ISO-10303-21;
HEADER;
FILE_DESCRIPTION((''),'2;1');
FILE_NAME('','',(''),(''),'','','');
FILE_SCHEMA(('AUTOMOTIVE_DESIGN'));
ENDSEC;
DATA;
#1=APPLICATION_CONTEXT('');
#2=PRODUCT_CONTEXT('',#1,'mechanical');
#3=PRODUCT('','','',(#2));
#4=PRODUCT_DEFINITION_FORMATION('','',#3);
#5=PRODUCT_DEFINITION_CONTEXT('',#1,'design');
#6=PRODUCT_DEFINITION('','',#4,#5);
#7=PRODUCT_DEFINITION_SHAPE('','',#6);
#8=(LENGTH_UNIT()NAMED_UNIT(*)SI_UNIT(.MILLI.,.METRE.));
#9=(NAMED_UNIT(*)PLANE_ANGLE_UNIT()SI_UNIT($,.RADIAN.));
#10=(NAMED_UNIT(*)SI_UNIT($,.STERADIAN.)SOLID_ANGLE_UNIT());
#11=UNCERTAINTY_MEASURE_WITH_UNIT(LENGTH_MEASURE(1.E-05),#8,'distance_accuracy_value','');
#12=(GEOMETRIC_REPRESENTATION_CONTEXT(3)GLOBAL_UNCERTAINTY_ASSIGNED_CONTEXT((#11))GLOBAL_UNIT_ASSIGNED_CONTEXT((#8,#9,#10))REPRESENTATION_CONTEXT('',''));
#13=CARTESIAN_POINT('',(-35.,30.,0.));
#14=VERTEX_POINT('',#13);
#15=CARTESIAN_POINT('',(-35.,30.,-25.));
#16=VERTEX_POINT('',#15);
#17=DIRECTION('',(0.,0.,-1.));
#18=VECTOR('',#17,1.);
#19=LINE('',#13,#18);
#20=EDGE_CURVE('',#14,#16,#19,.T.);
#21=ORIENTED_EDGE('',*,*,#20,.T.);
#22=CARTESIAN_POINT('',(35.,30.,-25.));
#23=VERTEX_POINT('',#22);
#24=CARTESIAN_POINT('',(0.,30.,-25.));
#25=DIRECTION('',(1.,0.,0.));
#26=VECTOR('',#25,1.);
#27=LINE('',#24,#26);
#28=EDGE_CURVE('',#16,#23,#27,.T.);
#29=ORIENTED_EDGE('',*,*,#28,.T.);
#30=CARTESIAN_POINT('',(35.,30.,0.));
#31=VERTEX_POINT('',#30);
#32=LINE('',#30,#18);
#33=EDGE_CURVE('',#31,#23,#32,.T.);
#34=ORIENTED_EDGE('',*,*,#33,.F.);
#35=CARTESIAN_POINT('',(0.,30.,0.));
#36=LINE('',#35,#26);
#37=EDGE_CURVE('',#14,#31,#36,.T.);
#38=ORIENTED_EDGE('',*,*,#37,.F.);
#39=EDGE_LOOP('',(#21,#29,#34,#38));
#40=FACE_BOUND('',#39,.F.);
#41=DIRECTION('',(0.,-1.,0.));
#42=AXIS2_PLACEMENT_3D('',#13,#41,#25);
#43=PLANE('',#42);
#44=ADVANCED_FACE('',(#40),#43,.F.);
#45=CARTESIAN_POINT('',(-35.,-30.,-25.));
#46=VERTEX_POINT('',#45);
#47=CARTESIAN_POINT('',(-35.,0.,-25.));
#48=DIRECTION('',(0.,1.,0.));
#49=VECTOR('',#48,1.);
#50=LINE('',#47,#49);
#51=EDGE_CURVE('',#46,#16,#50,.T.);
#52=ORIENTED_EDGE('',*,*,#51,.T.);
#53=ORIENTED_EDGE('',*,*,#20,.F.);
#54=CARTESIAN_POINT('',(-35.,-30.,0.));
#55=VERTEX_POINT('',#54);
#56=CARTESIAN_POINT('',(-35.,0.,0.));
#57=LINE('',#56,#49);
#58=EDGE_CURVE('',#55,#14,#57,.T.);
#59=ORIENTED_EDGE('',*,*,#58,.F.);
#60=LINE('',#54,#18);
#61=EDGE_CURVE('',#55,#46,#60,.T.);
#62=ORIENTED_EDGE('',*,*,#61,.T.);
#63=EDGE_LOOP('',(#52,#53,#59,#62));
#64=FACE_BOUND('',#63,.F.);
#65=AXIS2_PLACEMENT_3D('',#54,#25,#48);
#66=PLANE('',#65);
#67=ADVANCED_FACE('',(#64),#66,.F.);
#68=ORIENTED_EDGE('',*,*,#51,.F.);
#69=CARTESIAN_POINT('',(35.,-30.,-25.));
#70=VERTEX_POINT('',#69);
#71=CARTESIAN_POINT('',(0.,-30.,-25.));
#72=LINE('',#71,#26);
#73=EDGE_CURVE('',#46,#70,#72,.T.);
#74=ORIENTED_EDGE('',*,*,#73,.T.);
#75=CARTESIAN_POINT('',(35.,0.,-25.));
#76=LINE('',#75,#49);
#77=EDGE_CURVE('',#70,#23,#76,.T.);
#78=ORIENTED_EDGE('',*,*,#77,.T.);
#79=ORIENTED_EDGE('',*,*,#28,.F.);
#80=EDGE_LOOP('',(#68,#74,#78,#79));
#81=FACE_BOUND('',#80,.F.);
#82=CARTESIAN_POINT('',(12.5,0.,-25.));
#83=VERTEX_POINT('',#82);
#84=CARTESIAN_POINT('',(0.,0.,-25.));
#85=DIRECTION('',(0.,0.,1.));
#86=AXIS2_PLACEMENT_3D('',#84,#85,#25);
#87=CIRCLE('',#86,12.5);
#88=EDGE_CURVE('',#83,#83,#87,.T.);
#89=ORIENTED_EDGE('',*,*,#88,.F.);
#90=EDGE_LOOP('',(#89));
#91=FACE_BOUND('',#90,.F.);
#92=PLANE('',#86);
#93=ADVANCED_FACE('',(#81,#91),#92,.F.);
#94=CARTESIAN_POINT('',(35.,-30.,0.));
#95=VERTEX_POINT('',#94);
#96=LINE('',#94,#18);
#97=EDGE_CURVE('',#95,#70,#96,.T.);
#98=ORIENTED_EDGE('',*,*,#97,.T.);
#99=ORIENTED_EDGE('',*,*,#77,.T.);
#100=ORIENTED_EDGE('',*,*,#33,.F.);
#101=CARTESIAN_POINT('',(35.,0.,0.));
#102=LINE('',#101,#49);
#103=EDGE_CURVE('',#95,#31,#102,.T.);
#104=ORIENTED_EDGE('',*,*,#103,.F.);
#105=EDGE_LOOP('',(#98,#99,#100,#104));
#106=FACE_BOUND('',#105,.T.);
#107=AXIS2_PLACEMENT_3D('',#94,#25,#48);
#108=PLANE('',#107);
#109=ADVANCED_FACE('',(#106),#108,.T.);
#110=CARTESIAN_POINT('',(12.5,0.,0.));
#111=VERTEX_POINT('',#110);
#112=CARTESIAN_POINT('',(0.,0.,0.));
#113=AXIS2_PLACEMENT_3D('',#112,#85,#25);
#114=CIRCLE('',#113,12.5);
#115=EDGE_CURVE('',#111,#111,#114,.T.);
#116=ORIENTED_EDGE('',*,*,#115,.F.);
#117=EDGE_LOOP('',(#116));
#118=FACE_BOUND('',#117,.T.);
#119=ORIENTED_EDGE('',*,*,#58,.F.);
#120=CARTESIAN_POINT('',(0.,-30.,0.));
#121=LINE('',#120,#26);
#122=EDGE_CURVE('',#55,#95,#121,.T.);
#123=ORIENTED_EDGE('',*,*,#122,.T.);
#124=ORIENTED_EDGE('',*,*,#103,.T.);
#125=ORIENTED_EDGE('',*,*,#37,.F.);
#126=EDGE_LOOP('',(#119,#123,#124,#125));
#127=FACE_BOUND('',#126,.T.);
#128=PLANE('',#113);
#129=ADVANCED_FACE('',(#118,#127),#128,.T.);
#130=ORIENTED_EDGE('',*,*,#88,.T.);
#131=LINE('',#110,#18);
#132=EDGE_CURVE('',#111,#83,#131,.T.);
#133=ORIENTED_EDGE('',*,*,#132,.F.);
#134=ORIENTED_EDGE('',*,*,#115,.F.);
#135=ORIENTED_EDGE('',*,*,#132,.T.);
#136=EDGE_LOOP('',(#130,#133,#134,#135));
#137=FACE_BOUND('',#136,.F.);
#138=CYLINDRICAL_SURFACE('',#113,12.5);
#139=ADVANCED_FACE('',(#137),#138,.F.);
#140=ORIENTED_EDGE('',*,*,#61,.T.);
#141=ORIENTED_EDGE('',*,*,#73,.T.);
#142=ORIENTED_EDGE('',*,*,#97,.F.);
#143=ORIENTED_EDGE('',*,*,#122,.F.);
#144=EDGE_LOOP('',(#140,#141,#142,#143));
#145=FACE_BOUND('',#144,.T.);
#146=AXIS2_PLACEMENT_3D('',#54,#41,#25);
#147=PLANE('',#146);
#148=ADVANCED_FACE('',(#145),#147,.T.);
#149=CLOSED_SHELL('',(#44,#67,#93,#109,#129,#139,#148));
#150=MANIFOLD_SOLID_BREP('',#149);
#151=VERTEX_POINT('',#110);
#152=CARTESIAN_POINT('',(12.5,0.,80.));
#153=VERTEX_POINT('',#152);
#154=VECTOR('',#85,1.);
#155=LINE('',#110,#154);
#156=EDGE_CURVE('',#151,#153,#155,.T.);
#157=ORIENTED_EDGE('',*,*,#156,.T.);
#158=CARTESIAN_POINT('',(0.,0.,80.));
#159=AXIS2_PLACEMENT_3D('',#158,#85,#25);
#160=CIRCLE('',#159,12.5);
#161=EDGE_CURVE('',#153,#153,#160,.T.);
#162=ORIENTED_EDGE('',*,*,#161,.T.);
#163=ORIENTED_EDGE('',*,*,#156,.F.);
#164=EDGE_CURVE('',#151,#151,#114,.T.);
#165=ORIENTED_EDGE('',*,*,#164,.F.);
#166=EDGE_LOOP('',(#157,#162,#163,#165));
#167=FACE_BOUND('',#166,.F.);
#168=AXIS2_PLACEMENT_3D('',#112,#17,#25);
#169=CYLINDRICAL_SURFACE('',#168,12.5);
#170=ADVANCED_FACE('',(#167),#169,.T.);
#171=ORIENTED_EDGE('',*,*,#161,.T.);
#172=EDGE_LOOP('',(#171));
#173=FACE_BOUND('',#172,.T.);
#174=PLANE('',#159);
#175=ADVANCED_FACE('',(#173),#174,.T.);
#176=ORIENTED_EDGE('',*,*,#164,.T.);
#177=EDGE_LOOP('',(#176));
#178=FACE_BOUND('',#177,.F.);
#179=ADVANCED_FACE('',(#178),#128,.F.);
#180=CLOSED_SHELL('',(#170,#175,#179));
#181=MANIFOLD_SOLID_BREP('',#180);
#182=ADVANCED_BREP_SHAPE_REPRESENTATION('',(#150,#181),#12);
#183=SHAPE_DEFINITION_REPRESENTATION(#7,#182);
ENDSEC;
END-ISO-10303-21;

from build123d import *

# Parameters (mm, degrees)
F0_W     = 70
F0_H     = 60
F0_R     = 12.5
F1_DEPTH = 25
F2_R     = 12.5
F3_DEPTH = 80


with BuildPart() as f1:
    # F0 (on Top) → F1 (new body)
    with BuildSketch(Plane.XY):
        Rectangle(F0_W, F0_H)
        Circle(F0_R, mode=Mode.SUBTRACT)
    extrude(amount=-F1_DEPTH)


with BuildPart() as f3:
    # F2 (on face) → F3 (new body)
    with BuildSketch(Plane.XY):
        Circle(F2_R)
    extrude(amount=F3_DEPTH)


solid = Compound([f1.part, f3.part])
